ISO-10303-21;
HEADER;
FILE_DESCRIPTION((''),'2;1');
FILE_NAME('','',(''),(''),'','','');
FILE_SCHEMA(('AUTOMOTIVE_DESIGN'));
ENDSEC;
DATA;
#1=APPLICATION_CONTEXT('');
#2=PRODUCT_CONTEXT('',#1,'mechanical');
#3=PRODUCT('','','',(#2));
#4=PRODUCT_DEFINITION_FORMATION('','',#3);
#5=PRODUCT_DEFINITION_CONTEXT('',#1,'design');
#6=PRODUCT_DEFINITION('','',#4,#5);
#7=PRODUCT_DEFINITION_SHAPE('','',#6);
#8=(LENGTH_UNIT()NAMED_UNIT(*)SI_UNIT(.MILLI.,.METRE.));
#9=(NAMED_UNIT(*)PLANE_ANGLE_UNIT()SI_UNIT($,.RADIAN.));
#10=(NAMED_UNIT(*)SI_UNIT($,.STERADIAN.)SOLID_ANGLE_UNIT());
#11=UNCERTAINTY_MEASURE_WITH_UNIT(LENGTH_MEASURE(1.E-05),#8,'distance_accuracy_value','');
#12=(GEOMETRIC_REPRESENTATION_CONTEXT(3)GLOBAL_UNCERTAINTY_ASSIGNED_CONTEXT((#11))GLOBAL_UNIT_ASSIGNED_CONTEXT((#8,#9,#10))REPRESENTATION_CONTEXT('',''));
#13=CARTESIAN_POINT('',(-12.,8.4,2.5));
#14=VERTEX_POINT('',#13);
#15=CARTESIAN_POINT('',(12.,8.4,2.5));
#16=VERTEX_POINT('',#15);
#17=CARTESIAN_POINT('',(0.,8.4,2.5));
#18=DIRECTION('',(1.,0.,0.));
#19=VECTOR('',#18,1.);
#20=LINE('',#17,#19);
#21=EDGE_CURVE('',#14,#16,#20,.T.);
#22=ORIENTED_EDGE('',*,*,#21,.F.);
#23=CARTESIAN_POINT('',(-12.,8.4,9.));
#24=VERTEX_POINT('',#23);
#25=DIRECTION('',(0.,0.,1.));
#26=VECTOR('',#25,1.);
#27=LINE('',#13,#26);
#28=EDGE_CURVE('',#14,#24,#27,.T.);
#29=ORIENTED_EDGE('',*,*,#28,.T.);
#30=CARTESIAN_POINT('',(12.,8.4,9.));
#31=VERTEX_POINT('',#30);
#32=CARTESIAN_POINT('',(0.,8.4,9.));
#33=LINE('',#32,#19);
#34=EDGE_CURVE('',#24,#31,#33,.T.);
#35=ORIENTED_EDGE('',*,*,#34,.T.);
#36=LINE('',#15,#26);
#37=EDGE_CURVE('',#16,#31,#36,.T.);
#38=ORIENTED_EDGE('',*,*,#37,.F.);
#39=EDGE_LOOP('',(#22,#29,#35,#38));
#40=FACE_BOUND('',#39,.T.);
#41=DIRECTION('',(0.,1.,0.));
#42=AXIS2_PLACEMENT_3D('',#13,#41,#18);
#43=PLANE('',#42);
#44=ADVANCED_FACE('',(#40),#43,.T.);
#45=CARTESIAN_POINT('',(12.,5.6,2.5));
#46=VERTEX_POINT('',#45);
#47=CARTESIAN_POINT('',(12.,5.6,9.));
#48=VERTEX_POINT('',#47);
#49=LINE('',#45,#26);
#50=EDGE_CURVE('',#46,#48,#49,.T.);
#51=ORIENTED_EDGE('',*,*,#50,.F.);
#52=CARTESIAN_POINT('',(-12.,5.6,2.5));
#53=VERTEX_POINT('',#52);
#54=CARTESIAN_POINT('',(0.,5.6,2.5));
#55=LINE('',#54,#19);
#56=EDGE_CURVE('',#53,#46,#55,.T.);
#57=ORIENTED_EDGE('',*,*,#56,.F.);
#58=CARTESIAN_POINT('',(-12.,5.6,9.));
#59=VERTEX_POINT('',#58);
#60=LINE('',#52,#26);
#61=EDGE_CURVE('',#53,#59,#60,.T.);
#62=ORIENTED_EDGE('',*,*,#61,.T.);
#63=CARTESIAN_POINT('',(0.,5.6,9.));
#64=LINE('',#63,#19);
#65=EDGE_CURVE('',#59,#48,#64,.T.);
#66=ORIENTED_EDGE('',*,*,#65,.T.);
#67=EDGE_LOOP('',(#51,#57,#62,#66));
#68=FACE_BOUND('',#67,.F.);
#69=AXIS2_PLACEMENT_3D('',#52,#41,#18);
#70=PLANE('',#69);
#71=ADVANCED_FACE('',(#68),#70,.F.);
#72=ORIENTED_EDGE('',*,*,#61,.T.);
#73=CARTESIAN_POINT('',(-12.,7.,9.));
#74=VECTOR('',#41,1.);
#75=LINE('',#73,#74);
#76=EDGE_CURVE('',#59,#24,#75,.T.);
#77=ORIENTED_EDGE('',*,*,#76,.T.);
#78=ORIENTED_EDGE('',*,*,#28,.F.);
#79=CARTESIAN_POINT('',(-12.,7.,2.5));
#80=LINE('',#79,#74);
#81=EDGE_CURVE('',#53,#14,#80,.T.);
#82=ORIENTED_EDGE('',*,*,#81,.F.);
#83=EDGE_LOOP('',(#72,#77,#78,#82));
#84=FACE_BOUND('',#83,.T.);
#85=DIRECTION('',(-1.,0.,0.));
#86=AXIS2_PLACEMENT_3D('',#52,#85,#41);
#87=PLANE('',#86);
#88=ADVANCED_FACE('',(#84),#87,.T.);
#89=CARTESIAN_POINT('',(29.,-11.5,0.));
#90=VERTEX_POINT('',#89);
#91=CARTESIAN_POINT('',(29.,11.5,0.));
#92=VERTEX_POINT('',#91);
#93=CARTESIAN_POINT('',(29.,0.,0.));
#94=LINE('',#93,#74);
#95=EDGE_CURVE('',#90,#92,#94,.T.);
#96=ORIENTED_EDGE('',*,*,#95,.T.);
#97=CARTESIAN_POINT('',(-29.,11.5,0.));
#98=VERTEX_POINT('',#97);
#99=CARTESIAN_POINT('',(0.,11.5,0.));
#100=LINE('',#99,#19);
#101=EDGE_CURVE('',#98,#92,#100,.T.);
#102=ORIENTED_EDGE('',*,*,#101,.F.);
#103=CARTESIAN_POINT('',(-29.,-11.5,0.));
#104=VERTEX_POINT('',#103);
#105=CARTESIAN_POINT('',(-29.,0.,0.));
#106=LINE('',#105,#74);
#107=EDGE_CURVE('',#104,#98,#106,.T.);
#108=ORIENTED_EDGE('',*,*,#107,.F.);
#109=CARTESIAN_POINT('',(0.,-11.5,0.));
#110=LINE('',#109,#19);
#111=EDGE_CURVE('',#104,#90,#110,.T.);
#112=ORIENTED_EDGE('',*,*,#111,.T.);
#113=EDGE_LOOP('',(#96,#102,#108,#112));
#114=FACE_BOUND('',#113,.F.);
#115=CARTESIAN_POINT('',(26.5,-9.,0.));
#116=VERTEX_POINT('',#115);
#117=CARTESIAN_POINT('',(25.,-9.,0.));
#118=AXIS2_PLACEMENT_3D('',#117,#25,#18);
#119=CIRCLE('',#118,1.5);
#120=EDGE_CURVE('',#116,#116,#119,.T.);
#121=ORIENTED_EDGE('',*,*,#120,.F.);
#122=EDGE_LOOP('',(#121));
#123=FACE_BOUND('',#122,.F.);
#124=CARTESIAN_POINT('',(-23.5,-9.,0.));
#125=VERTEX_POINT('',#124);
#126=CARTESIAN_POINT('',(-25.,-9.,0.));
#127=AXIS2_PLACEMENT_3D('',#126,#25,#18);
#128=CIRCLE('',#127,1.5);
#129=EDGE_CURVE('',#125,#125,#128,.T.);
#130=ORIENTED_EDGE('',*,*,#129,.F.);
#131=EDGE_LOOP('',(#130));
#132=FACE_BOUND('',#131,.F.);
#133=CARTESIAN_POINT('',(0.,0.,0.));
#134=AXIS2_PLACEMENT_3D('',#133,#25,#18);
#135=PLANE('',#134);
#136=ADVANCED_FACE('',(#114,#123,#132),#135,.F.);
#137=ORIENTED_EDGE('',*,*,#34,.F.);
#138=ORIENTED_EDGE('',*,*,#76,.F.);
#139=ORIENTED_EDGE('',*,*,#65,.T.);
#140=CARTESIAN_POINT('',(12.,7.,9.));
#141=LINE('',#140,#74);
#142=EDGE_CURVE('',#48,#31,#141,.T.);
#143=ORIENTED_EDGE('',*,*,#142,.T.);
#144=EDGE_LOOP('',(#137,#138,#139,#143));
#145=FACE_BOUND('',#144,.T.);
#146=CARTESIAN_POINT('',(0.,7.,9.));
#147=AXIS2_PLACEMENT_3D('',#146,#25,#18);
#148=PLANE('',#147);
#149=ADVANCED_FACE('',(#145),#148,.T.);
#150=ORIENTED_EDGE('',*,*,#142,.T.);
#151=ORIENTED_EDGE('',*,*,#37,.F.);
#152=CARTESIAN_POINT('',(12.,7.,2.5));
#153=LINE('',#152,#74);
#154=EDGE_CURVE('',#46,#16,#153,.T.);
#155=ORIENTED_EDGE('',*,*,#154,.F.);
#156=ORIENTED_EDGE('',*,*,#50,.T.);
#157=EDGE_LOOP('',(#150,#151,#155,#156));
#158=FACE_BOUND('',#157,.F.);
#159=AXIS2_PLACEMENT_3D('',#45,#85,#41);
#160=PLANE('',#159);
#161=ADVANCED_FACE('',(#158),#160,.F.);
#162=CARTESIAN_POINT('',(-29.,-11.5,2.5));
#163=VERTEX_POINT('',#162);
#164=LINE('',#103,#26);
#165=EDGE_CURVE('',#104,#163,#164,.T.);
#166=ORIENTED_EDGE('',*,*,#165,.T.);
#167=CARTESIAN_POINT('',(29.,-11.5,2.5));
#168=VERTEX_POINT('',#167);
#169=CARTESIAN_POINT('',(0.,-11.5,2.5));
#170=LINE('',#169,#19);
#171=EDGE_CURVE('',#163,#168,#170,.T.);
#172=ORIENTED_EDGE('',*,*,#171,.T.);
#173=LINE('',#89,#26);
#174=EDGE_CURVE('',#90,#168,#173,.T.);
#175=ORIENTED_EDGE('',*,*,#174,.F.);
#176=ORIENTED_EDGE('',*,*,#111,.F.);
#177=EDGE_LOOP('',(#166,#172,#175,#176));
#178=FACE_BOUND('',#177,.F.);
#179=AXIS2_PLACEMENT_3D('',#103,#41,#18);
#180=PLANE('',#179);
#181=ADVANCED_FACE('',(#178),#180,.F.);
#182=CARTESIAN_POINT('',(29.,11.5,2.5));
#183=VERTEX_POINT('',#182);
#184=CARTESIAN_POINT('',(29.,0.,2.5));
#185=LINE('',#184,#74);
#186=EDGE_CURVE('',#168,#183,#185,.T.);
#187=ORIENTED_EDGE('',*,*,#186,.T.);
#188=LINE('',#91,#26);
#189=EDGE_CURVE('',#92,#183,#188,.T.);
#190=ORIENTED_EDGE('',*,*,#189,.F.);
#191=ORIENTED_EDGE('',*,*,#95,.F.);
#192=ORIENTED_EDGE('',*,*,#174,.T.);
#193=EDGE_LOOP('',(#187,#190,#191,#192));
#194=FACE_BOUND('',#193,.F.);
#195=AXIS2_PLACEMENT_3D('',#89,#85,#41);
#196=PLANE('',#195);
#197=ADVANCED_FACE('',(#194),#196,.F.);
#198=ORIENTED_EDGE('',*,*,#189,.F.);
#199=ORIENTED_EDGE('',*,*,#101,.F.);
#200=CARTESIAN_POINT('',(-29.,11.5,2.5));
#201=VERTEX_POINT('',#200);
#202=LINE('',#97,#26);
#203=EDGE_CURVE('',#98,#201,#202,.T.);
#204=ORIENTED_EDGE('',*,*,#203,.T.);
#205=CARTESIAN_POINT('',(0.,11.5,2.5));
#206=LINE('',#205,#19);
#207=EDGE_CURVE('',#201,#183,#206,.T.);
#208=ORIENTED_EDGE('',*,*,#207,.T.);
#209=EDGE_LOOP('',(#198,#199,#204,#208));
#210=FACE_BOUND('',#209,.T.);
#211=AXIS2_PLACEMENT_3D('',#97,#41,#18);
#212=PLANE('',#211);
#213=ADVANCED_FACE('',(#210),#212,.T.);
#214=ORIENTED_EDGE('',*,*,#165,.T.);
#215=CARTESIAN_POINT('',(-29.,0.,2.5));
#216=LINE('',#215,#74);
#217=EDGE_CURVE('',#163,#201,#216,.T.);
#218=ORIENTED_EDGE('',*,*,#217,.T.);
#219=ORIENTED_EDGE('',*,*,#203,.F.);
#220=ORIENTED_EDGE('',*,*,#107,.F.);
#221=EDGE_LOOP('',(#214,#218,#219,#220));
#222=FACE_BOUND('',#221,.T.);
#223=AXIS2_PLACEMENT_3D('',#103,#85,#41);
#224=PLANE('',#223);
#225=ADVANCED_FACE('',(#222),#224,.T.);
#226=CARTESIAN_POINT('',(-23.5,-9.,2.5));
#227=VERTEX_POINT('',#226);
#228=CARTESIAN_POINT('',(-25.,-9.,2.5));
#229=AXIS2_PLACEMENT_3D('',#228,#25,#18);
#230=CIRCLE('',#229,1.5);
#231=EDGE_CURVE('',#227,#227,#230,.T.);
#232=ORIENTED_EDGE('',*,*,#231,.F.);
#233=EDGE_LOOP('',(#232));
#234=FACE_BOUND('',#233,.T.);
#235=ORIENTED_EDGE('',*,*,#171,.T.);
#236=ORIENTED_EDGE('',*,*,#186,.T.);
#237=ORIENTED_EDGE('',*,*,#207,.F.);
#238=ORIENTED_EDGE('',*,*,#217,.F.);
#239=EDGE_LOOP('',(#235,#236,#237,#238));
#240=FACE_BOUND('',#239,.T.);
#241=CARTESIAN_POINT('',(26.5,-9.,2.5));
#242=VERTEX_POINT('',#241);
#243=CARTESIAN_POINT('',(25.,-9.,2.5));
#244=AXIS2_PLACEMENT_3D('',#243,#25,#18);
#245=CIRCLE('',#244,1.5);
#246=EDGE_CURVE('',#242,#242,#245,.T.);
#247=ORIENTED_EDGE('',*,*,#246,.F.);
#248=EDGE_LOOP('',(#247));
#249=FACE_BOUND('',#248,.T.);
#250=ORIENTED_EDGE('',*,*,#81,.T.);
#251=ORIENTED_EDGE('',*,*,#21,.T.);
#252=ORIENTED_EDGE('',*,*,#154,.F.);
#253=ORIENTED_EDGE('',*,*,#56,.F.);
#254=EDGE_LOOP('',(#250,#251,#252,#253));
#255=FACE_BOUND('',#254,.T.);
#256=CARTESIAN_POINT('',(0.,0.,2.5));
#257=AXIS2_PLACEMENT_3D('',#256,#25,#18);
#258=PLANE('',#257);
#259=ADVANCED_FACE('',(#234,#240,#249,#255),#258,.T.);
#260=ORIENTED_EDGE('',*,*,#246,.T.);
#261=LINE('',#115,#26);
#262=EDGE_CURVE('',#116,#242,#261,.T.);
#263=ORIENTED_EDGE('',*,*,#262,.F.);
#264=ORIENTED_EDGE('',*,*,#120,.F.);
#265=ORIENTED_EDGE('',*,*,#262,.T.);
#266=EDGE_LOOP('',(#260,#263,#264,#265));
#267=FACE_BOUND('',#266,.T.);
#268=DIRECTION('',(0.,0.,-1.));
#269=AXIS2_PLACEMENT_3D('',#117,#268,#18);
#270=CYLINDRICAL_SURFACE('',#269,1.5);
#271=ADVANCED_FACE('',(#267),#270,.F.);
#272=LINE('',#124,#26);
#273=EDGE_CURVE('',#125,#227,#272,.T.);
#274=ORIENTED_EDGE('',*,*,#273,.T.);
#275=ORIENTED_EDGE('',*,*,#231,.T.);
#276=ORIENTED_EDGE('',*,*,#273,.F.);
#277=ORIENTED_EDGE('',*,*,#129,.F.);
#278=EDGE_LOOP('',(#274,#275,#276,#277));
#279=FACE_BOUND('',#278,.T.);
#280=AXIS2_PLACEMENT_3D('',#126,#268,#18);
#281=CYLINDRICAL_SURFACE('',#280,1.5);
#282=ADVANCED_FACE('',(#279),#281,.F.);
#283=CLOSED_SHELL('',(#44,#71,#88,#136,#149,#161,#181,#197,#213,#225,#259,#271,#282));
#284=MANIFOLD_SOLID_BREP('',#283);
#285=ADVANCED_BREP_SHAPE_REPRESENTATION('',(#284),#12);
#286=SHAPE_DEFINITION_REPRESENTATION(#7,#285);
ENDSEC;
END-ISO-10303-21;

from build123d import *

# Parameters (mm, degrees)
F0_W     = 58
F0_H     = 23
F0_R     = 1.5
F1_DEPTH = 2.5
F2_W     = 24
F2_H     = 2.8
F3_DEPTH = 6.5


with BuildPart() as f1:
    # F0 (on Top) → F1 (new body)
    with BuildSketch(Plane.XY):
        Rectangle(F0_W, F0_H)
        with Locations((-25, -9)):
            Circle(F0_R, mode=Mode.SUBTRACT)
        with Locations((25, -9)):
            Circle(F0_R, mode=Mode.SUBTRACT)
    extrude(amount=F1_DEPTH)

    # F2 (on face) → F3 (join)
    with BuildSketch(Plane.XY.offset(2.5)):
        with Locations((0, 7)):
            Rectangle(F2_W, F2_H)
    extrude(amount=F3_DEPTH)


solid = f1.part
